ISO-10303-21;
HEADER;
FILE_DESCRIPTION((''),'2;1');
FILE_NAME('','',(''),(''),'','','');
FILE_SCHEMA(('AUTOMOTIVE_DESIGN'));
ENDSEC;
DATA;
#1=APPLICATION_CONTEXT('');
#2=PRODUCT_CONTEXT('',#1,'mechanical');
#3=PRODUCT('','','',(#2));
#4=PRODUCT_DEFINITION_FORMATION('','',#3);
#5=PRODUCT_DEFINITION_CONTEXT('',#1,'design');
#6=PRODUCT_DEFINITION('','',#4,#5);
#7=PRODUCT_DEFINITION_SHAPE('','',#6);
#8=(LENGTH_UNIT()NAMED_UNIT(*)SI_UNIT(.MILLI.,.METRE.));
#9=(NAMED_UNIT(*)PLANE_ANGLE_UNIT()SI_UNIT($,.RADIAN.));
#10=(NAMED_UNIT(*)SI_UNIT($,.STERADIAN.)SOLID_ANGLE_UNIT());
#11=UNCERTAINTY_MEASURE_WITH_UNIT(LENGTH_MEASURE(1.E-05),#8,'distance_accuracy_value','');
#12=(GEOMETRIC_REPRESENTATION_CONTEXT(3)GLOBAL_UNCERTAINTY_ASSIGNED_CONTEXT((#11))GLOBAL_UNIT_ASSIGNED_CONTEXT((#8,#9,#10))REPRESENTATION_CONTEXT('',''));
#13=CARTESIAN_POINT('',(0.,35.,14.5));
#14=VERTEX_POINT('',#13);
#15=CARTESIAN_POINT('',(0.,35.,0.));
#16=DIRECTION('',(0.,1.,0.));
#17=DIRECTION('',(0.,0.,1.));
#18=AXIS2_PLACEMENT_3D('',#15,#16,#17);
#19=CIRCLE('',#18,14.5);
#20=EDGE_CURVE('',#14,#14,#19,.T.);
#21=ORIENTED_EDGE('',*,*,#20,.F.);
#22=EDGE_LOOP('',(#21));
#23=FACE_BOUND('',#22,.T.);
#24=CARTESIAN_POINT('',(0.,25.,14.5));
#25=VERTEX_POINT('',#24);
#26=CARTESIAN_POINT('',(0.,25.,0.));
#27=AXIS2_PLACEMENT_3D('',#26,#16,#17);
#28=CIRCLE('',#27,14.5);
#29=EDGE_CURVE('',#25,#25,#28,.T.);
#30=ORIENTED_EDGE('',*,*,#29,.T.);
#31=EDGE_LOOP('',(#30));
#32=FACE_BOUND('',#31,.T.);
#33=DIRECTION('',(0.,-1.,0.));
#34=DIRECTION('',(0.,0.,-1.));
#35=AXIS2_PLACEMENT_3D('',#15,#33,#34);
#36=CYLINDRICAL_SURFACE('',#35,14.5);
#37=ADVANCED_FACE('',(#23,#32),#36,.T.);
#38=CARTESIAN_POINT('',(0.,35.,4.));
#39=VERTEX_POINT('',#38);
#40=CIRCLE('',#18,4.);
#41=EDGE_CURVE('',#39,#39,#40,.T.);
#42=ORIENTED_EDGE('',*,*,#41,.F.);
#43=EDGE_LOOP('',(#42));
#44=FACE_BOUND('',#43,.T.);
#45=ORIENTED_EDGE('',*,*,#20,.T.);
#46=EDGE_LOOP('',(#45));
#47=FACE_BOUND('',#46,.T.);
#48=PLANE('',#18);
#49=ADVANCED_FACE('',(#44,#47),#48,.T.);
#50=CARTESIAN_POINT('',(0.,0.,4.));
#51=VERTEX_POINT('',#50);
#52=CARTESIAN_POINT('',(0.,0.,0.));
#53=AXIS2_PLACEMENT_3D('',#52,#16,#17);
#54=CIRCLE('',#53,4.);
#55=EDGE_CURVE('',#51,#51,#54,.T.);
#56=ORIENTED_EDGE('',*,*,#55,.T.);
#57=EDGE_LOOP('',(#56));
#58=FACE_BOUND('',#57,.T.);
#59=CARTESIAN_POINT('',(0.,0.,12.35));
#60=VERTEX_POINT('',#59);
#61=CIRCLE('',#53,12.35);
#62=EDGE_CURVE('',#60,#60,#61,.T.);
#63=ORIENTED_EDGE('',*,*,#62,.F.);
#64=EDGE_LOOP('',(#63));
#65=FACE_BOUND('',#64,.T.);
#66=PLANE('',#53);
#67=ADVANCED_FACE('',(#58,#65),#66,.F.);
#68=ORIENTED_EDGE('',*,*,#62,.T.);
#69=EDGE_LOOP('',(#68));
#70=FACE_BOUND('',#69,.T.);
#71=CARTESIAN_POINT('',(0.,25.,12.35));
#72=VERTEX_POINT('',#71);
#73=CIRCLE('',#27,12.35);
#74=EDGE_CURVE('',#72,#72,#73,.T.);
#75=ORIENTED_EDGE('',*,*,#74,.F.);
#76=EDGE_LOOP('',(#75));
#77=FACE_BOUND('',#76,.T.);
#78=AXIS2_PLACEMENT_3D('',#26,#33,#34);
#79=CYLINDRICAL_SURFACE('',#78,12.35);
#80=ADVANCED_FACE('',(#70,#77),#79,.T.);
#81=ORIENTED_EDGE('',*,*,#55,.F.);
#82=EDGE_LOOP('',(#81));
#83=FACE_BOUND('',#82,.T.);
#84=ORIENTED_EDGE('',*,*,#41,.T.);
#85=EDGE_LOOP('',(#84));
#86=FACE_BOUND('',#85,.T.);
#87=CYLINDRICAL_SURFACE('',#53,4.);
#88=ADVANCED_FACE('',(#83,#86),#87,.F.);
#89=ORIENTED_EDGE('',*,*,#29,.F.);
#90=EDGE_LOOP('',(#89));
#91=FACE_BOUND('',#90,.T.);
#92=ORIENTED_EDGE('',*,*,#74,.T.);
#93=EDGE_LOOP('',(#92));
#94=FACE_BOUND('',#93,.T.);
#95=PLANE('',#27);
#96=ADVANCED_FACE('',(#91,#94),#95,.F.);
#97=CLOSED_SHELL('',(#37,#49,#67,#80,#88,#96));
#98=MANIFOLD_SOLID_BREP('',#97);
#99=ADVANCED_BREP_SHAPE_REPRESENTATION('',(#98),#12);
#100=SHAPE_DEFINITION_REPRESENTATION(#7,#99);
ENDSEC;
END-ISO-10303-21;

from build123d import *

# Parameters (mm, degrees)
SKETCH1_R               = 12.35
BOSS_EXTRUDE1_DEPTH     = 25
SKETCH2_R               = 14.5
BOSS_EXTRUDE2_DEPTH     = 10
CUT_EXTRUDE1_DEPTH      = 41.564763034
CUT_EXTRUDE1_DEPTH_BACK = 41.564763034
SKETCH3_R               = 4


with BuildPart() as part:
    # Sketch1 → Boss-Extrude1 (new body)
    with BuildSketch(Plane(origin=(0, 0, 0), x_dir=(1, 0, 0), z_dir=(0, 1, 0))):
        with Locations(Location((0, 0, 0), (0, 0, 270))):
            Circle(SKETCH1_R)
    extrude(amount=BOSS_EXTRUDE1_DEPTH)

    # Sketch2 → Boss-Extrude2 (add)
    with BuildSketch(Plane(origin=(0, 25, 0), x_dir=(1, 0, 0), z_dir=(0, 1, 0))):
        with Locations(Location((0, 0, 0), (0, 0, 270))):
            Circle(SKETCH2_R)
    extrude(amount=BOSS_EXTRUDE2_DEPTH)

    # Sketch3 → Cut-Extrude1 (cut, two sides: drawn at the far end of the back side and taken through both)
    with BuildSketch(Plane(origin=(0, 35, 0), x_dir=(1, 0, 0), z_dir=(0, 1, 0)).offset(-CUT_EXTRUDE1_DEPTH_BACK)):
        with Locations(Location((0, 0, 0), (0, 0, 270))):
            Circle(SKETCH3_R)
    extrude(amount=CUT_EXTRUDE1_DEPTH + CUT_EXTRUDE1_DEPTH_BACK, mode=Mode.SUBTRACT)


solid = part.part
